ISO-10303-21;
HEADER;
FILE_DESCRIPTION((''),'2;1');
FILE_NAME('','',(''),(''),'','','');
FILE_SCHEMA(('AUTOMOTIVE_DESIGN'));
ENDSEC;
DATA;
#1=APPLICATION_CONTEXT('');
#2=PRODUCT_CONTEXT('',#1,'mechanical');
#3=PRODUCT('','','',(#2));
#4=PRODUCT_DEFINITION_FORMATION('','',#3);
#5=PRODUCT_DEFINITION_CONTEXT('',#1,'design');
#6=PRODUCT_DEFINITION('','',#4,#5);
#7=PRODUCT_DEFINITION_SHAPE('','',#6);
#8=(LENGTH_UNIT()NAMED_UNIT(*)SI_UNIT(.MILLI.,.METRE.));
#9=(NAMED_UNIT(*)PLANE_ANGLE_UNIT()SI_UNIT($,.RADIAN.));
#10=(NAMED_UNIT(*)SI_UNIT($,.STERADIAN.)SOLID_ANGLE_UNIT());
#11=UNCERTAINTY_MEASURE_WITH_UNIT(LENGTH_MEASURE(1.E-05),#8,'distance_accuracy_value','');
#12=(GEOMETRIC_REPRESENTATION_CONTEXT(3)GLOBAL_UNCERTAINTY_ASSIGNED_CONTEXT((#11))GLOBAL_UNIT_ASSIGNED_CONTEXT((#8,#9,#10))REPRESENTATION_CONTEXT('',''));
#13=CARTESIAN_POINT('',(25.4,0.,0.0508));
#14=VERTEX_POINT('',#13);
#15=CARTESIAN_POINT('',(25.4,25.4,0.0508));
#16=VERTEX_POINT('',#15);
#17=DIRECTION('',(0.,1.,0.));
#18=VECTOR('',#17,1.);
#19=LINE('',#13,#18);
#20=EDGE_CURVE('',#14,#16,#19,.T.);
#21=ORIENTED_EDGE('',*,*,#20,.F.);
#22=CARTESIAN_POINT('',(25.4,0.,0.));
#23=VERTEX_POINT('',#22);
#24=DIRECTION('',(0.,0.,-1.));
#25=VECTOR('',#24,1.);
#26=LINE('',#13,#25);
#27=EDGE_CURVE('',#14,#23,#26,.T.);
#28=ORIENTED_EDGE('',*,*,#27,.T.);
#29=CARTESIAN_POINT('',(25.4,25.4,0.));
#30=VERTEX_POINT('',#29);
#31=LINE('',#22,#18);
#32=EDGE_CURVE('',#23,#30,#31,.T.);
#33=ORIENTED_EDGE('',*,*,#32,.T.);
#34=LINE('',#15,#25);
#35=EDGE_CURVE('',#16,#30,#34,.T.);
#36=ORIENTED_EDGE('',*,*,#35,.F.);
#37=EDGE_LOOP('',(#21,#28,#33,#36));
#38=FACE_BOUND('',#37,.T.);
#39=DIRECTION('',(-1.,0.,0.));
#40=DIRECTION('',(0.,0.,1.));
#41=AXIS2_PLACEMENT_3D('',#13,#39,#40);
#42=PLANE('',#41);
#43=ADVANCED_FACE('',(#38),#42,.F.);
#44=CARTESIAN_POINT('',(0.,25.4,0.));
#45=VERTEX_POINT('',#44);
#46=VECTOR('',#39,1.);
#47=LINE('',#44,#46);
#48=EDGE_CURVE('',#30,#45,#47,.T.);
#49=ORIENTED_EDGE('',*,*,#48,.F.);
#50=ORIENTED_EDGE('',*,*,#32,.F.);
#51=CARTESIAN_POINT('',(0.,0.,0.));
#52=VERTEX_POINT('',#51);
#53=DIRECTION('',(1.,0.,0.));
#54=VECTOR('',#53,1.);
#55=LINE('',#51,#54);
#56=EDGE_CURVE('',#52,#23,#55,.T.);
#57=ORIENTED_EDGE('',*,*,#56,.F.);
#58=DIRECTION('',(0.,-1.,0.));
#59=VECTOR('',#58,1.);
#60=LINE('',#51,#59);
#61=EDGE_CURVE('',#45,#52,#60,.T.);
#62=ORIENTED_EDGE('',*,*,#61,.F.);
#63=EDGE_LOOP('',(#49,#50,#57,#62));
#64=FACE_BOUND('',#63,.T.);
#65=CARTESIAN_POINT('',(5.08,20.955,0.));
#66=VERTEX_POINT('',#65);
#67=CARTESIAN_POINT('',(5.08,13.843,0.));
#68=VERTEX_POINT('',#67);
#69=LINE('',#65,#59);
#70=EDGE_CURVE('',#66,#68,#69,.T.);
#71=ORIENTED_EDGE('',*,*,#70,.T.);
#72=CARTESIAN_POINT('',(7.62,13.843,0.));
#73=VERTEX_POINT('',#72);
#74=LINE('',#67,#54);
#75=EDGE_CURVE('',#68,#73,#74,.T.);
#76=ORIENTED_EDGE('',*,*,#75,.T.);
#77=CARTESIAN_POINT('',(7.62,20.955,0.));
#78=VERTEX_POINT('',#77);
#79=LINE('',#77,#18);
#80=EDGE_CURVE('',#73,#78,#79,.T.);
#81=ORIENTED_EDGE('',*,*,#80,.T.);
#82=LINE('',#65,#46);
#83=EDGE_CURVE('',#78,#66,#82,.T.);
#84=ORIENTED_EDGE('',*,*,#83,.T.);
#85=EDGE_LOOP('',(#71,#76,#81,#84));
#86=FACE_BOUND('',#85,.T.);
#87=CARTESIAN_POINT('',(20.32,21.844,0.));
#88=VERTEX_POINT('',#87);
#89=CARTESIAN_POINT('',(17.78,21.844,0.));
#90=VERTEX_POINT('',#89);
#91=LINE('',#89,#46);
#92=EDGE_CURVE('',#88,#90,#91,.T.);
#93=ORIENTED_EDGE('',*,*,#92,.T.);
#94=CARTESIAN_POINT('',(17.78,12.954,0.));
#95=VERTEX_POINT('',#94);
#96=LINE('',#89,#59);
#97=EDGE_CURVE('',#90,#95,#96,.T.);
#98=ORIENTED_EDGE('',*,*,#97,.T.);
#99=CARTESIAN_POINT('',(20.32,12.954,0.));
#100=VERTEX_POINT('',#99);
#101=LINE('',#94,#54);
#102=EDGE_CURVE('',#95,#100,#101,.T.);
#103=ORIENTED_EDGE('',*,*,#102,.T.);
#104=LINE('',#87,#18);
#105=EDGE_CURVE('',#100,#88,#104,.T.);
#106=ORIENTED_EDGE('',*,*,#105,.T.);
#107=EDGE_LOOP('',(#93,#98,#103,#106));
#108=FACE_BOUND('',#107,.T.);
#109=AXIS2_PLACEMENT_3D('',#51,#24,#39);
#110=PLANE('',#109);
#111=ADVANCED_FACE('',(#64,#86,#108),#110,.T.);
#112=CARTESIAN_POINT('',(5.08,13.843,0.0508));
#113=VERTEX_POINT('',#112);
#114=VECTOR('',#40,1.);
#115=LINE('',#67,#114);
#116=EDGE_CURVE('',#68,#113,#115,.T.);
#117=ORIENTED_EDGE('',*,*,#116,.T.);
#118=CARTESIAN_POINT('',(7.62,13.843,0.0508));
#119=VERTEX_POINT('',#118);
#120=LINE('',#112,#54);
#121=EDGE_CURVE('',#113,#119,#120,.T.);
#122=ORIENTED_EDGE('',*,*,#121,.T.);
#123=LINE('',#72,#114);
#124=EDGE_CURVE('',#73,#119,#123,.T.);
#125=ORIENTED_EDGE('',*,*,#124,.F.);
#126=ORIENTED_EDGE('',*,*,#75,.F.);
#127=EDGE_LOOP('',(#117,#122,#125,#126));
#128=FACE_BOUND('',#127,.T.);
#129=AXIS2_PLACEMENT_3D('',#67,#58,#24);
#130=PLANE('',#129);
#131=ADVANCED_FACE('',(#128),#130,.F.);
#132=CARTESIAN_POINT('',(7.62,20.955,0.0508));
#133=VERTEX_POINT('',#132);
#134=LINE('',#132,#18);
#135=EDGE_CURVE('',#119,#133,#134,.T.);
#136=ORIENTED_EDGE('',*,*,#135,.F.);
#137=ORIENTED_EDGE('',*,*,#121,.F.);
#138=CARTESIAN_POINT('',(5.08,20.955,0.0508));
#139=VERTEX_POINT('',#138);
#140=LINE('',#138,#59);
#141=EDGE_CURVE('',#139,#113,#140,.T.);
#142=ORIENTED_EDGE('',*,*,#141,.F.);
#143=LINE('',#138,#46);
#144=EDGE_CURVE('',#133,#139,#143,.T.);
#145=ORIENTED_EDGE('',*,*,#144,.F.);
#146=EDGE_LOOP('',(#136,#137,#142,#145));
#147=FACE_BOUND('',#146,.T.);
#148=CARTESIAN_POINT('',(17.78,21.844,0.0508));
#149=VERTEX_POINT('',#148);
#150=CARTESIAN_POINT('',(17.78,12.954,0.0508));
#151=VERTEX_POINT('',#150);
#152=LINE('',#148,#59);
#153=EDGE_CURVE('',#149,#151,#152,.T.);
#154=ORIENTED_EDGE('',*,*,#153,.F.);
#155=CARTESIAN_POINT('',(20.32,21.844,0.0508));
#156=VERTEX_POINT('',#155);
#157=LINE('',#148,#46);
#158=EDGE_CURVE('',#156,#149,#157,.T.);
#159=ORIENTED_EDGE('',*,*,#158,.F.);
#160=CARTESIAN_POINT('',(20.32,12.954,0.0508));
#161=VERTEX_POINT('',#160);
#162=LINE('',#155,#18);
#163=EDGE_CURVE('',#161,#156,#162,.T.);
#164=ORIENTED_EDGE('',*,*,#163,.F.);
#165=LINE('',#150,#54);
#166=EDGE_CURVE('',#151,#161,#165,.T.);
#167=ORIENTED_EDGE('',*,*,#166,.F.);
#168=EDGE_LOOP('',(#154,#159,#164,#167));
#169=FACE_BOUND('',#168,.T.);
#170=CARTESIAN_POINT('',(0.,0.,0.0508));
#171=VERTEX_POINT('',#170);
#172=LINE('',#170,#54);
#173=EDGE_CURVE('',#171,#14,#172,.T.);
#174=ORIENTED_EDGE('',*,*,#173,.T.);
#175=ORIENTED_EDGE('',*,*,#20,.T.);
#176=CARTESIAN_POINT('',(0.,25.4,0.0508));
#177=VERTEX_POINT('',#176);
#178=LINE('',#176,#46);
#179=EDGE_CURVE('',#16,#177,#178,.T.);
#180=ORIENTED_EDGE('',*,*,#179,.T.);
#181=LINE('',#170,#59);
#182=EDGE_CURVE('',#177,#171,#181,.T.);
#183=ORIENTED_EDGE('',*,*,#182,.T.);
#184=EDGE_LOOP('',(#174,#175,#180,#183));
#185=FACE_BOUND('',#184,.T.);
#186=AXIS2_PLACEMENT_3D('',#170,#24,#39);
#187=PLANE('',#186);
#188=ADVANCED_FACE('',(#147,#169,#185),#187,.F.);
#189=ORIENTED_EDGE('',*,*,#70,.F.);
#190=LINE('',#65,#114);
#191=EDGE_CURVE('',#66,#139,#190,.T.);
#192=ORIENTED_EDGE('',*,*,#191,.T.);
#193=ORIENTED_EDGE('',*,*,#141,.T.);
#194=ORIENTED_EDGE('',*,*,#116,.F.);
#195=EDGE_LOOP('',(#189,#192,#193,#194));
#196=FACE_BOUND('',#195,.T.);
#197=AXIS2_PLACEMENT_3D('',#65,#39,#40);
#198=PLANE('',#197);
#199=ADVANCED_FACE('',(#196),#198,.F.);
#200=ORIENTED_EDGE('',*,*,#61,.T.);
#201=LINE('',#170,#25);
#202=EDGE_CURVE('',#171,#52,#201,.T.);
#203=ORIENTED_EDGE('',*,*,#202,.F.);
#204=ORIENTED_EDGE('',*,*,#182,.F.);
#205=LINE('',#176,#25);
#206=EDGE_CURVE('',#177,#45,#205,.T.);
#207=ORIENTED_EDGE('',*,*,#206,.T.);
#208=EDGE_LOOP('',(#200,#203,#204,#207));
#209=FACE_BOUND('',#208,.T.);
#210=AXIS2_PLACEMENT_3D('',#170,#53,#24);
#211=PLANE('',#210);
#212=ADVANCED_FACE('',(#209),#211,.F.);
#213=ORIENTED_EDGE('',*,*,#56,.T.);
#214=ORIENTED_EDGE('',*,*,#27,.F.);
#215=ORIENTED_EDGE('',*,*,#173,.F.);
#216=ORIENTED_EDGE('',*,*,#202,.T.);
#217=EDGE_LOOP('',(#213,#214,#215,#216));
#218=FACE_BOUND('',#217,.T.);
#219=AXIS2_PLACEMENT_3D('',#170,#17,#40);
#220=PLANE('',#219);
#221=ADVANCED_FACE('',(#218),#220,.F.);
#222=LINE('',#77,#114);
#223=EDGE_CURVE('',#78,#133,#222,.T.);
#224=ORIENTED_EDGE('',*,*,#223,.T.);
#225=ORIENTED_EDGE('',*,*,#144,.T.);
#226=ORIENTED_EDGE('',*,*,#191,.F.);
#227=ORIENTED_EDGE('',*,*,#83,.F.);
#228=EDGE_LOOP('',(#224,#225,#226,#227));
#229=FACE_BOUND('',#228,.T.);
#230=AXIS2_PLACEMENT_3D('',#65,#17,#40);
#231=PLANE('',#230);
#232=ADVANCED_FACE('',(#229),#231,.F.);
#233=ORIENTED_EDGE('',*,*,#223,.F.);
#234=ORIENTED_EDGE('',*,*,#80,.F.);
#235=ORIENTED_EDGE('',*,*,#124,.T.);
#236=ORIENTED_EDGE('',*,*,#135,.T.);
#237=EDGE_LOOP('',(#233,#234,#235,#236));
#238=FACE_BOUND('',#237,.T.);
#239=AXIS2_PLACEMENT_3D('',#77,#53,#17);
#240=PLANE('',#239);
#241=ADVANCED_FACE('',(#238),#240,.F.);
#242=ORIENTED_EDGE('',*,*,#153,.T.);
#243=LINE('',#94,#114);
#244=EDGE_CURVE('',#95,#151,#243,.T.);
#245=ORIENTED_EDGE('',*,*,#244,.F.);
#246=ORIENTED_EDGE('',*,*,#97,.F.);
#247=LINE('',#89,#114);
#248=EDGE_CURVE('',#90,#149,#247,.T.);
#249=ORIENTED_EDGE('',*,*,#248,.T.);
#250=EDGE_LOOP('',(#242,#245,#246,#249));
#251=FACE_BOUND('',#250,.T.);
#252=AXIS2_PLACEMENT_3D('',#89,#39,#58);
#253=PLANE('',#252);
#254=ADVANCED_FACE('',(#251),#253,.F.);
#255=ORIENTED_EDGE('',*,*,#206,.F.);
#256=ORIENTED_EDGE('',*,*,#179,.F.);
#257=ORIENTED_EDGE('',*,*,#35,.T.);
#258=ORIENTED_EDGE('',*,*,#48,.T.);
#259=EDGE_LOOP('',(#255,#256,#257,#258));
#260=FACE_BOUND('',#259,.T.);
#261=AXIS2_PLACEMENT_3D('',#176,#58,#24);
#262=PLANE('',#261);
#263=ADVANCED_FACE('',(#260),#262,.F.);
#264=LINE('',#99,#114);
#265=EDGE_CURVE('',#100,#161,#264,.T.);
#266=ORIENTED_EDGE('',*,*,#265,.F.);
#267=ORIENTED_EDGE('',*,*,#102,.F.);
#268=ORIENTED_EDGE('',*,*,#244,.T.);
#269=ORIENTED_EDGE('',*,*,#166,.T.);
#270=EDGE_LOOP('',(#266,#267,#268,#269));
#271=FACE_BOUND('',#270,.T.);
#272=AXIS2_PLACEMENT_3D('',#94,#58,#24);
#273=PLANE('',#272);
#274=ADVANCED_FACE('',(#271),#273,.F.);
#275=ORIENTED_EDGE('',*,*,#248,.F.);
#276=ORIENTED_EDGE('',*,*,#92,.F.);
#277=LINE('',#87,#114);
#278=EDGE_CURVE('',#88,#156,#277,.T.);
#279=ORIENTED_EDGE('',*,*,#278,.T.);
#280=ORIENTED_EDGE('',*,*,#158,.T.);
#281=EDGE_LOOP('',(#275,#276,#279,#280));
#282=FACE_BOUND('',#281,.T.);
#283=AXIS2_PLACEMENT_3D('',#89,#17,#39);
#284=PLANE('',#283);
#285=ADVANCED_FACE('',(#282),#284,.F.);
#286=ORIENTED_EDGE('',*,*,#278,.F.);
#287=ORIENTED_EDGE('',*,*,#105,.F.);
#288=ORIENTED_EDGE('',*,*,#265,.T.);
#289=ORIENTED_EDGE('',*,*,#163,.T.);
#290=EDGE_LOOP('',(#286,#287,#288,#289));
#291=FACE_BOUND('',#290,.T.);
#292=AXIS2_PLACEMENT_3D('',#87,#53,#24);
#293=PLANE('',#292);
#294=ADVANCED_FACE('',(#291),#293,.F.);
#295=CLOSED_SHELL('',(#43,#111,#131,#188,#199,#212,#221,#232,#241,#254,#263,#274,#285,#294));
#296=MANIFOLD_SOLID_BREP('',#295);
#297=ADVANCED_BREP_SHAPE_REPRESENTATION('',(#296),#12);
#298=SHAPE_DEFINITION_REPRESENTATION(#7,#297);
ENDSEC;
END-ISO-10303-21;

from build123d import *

# Parameters (mm, degrees)
SKETCH1_W           = 25.4
SKETCH1_H           = 25.4
BOSS_EXTRUDE1_DEPTH = 0.0508
SKETCH2_W           = 2.54
SKETCH2_H           = 7.112
SKETCH2_H_2         = 8.89
CUT_EXTRUDE1_DEPTH  = 36.921060405


with BuildPart() as part:
    # Sketch1 → Boss-Extrude1 (new body)
    with BuildSketch(Plane.XY):
        with Locations((12.7, 12.7)):
            Rectangle(SKETCH1_W, SKETCH1_H)
    extrude(amount=BOSS_EXTRUDE1_DEPTH)

    # Sketch2 → Cut-Extrude1 (cut, through all)
    with BuildSketch(Plane.XY.offset(0.0508)):
        with Locations((6.35, 17.399)):
            Rectangle(SKETCH2_W, SKETCH2_H)
        with Locations((19.05, 17.399)):
            Rectangle(SKETCH2_W, SKETCH2_H_2)
    extrude(amount=-CUT_EXTRUDE1_DEPTH, mode=Mode.SUBTRACT)


solid = part.part
